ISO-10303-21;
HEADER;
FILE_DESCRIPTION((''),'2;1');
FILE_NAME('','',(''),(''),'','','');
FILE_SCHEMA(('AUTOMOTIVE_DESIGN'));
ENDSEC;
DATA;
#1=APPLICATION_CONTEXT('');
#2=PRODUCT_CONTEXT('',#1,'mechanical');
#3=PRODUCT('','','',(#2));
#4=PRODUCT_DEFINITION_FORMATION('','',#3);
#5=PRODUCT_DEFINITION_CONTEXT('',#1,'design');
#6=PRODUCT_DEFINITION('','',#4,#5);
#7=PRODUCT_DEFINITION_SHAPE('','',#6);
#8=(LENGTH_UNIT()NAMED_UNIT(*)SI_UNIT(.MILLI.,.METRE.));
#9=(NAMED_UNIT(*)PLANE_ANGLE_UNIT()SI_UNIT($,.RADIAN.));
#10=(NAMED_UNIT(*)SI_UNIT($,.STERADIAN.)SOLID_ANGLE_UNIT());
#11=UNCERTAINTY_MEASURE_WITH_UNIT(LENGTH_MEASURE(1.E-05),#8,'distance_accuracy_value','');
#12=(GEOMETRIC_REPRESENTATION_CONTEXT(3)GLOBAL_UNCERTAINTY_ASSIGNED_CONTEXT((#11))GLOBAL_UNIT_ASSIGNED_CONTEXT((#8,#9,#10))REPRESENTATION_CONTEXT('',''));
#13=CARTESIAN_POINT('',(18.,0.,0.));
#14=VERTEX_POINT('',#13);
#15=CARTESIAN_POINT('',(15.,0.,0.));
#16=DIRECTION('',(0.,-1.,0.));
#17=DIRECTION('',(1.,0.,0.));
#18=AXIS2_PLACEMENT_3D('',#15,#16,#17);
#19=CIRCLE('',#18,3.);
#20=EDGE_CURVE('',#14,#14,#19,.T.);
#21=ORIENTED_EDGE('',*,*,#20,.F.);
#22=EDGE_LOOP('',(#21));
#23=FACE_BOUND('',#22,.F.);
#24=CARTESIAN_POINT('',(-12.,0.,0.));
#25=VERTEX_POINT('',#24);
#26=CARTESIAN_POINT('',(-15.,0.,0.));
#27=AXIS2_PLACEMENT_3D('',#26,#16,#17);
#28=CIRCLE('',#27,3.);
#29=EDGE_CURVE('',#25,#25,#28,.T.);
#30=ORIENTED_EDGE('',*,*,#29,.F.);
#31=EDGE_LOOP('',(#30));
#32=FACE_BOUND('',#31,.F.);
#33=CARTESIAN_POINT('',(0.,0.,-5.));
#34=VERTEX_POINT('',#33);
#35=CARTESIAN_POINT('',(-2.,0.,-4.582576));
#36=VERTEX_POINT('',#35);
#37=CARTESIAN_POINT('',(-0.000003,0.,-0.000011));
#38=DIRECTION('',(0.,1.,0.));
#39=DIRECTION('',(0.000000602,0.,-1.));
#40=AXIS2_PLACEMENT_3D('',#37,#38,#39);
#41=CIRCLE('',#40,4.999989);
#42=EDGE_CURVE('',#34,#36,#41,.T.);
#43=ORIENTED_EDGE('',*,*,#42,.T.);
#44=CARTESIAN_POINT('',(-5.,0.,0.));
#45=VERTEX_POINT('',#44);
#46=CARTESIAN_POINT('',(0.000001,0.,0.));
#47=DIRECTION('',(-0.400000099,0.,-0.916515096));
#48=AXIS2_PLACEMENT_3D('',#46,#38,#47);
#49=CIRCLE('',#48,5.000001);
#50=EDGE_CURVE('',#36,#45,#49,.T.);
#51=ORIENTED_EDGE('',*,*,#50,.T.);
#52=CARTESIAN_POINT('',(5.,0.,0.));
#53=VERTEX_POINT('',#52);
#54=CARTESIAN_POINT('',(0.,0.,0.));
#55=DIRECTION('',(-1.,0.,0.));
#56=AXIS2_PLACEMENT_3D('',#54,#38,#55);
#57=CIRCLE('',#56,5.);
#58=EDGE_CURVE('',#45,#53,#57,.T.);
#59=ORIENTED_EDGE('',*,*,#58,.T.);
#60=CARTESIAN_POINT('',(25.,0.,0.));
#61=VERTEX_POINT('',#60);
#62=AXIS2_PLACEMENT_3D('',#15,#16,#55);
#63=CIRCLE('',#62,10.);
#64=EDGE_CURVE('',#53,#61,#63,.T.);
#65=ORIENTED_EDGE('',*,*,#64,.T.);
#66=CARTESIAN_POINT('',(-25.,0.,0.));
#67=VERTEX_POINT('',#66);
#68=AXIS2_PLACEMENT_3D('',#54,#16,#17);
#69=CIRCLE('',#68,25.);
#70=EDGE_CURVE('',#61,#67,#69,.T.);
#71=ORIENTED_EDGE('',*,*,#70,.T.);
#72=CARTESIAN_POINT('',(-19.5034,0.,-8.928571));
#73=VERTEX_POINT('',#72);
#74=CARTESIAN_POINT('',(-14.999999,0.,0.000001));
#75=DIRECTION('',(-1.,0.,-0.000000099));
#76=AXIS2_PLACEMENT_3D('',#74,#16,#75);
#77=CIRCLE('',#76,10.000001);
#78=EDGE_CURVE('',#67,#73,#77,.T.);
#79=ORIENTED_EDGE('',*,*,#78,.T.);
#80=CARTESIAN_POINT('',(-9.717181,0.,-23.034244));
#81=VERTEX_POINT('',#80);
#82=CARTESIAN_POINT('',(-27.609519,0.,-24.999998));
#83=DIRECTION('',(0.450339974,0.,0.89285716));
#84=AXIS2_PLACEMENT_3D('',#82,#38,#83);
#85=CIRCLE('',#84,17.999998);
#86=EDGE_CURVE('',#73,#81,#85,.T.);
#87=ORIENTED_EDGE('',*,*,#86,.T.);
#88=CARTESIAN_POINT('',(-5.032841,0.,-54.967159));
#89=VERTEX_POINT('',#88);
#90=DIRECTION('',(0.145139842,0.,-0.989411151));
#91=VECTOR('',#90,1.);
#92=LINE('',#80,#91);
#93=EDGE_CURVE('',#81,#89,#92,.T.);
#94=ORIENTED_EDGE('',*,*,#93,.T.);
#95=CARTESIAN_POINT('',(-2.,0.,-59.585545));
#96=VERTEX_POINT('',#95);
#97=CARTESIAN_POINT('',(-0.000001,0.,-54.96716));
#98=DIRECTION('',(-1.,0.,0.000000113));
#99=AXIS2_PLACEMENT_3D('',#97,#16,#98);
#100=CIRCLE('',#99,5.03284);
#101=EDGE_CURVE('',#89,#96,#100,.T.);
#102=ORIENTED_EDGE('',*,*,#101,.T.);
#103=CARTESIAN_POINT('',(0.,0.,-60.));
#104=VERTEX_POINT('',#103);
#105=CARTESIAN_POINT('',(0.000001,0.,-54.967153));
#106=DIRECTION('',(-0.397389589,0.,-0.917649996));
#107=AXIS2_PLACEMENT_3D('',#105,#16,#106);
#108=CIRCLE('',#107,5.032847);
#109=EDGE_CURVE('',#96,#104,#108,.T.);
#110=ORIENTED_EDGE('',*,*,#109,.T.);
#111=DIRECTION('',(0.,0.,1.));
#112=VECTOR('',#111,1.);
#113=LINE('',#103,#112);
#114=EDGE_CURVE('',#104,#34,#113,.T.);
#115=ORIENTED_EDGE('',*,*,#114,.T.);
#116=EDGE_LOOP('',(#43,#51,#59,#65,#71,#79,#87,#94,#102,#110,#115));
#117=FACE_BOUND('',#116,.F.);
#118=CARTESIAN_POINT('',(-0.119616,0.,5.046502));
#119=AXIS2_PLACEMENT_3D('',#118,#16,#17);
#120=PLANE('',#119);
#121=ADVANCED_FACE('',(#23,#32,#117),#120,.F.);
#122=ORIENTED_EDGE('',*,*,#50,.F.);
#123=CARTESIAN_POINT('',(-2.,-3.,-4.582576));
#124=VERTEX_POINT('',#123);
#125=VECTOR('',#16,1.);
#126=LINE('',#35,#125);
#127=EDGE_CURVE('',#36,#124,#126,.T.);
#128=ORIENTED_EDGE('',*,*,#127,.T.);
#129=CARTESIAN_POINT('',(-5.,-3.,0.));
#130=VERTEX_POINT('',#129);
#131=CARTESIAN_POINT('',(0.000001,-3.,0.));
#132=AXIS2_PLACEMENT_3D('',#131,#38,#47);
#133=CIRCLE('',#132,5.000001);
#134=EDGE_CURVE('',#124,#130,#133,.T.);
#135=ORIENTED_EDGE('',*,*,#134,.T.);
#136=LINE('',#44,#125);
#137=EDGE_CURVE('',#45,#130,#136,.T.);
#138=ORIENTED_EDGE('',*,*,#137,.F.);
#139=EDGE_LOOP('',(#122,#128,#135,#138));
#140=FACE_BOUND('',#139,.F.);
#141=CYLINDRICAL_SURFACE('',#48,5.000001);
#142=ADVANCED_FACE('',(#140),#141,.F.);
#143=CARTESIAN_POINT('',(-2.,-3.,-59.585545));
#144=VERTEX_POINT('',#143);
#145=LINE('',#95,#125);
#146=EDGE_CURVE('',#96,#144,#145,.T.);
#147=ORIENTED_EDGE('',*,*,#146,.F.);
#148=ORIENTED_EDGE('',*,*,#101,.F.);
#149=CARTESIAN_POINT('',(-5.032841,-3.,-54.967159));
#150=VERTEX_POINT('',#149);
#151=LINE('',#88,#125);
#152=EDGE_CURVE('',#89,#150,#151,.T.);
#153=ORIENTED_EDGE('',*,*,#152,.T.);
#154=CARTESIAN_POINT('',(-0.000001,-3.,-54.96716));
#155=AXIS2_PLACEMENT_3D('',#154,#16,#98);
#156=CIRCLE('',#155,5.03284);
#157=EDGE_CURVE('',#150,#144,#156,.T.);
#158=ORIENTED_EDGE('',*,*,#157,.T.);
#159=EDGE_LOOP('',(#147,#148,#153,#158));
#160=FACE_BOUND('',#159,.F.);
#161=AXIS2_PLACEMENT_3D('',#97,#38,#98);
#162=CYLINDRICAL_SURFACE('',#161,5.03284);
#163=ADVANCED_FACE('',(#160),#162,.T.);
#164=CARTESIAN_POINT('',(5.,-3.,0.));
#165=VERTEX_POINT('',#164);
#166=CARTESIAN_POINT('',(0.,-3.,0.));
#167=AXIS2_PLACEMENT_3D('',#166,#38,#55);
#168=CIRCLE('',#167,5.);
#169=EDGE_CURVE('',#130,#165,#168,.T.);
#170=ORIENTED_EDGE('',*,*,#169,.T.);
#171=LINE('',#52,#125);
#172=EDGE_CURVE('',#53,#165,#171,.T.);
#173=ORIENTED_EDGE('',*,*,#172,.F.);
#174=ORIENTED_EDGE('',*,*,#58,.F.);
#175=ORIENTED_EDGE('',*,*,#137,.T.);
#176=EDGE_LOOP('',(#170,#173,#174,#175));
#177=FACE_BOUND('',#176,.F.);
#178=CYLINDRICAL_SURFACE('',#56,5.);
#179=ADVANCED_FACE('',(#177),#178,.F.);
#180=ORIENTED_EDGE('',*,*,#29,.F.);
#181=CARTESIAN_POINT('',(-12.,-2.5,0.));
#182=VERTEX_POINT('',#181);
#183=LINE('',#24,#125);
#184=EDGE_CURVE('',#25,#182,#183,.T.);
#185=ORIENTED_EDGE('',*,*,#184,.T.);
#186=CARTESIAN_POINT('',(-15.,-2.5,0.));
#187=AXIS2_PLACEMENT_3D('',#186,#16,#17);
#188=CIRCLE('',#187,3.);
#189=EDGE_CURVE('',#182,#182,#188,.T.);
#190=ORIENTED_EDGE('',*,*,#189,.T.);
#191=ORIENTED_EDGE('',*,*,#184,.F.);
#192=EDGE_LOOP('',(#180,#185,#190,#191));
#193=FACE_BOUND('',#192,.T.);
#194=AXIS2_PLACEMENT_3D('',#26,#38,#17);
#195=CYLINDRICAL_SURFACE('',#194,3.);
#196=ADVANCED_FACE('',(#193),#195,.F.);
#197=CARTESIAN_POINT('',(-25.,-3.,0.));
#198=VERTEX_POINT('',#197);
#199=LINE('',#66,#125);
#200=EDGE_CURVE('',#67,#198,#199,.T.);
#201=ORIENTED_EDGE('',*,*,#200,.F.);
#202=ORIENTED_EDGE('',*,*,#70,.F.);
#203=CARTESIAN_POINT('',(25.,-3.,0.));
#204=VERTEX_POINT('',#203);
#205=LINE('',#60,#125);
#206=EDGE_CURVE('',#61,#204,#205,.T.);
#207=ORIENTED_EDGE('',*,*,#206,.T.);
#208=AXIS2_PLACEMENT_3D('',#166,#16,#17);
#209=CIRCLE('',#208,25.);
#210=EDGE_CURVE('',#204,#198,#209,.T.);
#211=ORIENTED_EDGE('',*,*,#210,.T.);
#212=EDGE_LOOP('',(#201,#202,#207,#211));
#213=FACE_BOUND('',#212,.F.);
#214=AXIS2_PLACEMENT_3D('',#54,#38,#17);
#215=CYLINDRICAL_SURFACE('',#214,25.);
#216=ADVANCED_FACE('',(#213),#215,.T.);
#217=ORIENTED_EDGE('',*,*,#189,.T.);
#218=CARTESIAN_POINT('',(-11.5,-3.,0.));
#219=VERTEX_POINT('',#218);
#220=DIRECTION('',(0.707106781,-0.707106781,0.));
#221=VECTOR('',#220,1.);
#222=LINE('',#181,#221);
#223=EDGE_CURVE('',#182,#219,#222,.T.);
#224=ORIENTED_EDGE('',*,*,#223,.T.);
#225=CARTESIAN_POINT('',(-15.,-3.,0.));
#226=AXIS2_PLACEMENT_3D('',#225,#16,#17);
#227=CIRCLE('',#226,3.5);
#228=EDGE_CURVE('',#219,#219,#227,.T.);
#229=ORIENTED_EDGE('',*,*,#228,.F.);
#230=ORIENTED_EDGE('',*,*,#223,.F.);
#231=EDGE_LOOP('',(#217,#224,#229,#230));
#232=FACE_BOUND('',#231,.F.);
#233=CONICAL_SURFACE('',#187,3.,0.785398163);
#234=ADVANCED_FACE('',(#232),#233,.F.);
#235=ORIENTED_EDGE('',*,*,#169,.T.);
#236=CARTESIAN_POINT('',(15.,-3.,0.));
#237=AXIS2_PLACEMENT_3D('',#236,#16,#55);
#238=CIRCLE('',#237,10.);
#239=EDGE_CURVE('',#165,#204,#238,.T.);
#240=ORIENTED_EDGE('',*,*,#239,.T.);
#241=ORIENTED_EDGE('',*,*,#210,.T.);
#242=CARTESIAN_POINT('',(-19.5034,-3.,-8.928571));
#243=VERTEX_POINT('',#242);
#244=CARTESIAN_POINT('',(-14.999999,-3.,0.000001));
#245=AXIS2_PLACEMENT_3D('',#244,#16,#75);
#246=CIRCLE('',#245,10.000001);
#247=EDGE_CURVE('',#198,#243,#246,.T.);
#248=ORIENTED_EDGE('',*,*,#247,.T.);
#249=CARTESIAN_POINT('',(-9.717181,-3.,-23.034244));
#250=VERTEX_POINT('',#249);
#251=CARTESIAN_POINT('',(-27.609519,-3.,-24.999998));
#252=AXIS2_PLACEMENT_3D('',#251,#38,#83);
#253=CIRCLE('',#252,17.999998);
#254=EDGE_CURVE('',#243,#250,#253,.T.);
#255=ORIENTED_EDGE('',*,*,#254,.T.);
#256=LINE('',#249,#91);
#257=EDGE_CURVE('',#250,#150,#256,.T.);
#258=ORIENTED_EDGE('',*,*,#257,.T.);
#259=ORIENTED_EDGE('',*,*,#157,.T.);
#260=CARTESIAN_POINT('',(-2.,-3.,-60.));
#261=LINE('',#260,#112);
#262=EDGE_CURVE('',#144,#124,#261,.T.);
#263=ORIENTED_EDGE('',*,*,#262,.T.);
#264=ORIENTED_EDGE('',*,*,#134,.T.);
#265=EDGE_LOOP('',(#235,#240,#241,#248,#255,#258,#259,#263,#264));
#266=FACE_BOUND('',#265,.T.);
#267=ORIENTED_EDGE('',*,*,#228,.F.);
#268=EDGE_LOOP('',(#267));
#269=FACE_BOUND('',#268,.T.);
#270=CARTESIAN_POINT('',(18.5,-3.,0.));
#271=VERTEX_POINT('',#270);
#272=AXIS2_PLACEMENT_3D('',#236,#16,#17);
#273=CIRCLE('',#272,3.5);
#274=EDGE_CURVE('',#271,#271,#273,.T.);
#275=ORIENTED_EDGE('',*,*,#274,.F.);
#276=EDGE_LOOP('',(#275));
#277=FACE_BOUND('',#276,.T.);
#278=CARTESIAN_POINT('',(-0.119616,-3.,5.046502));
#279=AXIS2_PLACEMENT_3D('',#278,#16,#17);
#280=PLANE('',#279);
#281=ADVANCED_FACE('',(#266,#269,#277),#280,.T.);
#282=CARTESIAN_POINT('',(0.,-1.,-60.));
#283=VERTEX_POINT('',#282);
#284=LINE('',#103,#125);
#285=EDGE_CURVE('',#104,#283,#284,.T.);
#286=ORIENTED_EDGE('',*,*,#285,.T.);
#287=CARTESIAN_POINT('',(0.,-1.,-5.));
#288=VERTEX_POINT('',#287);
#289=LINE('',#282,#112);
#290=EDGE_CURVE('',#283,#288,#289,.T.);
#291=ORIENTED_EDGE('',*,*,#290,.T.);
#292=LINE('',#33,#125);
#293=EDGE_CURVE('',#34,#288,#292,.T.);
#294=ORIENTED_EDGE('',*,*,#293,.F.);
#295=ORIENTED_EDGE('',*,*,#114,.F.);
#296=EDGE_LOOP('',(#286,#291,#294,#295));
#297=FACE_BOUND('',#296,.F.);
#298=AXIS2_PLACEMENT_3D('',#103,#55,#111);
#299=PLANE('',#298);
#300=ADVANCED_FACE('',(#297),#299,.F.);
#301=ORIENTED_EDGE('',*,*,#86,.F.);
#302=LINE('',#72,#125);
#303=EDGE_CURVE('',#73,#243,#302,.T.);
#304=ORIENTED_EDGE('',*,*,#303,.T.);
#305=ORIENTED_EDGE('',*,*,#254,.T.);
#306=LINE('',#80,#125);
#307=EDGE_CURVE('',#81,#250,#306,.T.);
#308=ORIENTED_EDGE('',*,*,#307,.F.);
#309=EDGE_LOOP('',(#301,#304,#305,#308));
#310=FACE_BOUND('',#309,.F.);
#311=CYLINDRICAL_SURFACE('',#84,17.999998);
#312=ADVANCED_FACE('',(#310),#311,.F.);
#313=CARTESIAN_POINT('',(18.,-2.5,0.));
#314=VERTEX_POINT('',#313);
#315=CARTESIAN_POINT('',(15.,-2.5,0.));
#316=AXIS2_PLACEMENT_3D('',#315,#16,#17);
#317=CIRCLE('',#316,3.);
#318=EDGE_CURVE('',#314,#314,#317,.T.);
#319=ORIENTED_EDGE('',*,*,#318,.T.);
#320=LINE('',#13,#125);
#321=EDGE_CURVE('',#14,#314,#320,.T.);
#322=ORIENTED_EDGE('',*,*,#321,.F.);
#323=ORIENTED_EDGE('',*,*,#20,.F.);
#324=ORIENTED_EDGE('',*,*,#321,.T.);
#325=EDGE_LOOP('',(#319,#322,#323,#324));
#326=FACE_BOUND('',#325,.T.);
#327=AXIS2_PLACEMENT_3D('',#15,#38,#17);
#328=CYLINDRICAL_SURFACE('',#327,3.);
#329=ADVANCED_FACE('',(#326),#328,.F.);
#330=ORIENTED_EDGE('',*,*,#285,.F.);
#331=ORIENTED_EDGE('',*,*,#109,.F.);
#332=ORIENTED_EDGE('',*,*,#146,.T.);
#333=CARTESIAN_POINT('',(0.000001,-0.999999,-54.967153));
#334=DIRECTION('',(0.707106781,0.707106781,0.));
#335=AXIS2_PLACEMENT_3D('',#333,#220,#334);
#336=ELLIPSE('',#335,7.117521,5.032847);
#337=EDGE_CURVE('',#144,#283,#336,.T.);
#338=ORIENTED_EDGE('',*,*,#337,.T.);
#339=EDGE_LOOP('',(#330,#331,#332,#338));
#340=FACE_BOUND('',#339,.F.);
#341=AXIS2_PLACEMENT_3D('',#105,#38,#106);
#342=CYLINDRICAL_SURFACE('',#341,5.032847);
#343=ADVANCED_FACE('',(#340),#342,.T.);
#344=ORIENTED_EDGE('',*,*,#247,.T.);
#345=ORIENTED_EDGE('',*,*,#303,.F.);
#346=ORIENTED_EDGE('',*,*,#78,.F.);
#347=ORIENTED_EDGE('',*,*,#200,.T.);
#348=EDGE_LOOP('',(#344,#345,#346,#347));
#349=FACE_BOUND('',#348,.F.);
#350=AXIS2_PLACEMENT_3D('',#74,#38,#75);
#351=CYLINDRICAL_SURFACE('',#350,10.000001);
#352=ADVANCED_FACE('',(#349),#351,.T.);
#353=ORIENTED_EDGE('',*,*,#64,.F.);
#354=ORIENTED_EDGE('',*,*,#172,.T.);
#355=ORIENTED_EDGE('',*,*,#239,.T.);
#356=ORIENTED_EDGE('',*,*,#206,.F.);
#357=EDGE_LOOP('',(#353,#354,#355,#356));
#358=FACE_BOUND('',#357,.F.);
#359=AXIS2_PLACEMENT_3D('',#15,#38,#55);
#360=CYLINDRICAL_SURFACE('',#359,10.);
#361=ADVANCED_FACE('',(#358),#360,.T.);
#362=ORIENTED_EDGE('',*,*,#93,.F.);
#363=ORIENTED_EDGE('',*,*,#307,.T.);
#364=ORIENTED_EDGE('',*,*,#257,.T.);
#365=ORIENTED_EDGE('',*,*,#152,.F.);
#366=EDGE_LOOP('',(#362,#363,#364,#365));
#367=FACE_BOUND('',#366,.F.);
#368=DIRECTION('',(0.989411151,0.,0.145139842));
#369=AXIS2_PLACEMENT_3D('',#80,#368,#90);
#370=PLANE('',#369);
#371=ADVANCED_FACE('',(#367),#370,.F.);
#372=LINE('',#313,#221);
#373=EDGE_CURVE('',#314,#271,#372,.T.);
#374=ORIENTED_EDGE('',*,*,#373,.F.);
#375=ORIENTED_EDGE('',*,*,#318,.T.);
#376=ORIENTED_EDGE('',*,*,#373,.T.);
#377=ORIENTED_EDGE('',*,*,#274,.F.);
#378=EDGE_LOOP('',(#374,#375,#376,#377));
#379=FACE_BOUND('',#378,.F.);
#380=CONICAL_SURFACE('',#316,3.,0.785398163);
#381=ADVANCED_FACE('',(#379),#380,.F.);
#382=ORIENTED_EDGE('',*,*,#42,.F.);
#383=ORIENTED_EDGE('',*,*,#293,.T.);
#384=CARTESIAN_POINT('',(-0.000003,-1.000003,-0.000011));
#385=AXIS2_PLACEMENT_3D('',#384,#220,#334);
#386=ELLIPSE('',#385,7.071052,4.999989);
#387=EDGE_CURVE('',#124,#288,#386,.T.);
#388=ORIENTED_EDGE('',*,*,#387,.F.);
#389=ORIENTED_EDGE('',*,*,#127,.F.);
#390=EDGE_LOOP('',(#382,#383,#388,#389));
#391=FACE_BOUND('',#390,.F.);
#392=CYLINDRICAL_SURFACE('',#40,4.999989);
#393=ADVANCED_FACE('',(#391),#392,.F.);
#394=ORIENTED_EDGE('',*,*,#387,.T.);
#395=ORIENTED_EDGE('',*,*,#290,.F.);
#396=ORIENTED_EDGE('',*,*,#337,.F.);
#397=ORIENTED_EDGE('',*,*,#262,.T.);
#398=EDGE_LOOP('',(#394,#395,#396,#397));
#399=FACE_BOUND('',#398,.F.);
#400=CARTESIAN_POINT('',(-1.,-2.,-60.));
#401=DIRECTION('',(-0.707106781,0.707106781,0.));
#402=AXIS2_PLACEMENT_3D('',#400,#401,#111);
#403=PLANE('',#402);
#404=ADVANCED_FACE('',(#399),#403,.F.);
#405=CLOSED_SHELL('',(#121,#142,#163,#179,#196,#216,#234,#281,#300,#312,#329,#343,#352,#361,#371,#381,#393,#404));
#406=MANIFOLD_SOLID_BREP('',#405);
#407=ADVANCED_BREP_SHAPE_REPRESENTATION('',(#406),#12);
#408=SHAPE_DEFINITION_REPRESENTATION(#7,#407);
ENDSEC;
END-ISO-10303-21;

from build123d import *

# Parameters (mm, degrees)
F0_R     = 3.5
F0_R_2   = 3
F1_DEPTH = 3
F2_SIZE  = 0.5
F3_SIZE  = 2


with BuildPart() as f1:
    # F0 (on Front) → F1 (new body)
    with BuildSketch(Plane.XZ):
        with BuildLine():
            ThreePointArc((5, 0), (15, -10), (25, 0))
            ThreePointArc((25, 0), (0, 25), (-25, 0))
            ThreePointArc((-25, 0), (-23.515691, -5.242423), (-19.5034, -8.928571))
            ThreePointArc((-19.5034, -8.928571), (-9.757577, -8.515691), (-5, 0))
            ThreePointArc((-5, 0), (0, 5), (5, 0))
        make_face()
        with Locations((-15, 0)):
            Circle(F0_R, mode=Mode.SUBTRACT)
        with Locations((15, 0)):
            Circle(F0_R, mode=Mode.SUBTRACT)
        with BuildLine():
            ThreePointArc((-5, 0), (-9.757577, -8.515691), (-19.5034, -8.928571))
            ThreePointArc((-19.5034, -8.928571), (-12.820251, -14.739516), (-9.717181, -23.034244))
            Line((-9.717181, -23.034244), (-5.032841, -54.967159))
            ThreePointArc((-5.032841, -54.967159), (-4.20685, -57.729749), (-2, -59.585545))
            Line((-2, -59.585545), (-2, -4.582576))
            ThreePointArc((-2, -4.582576), (-4.1833, -2.738613), (-5, 0))
        make_face()
        with BuildLine():
            ThreePointArc((0, -5), (-1.021548, -4.894532), (-2, -4.582576))
            Line((-2, -4.582576), (-2, -59.585545))
            ThreePointArc((-2, -59.585545), (-1.021246, -59.895297), (0, -60))
            Line((0, -60), (0, -5))
        make_face()
        with Locations((-15, 0)):
            Circle(F0_R)
        with Locations((-15, 0)):
            Circle(F0_R_2, mode=Mode.SUBTRACT)
        with Locations((15, 0)):
            Circle(F0_R)
        with Locations((15, 0)):
            Circle(F0_R_2, mode=Mode.SUBTRACT)
    extrude(amount=F1_DEPTH)

    # F2
    f2_edges = [f1.edges().sort_by_distance(p)[0] for p in [
        (-18, -3, 0),
        (12, -3, 0),
    ]]
    chamfer(f2_edges, length=F2_SIZE)

    # F3
    f3_edges = [f1.edges().sort_by_distance(p)[0] for p in [
        (0, -3, -32.5),
    ]]
    chamfer(f3_edges, length=F3_SIZE)


solid = f1.part
